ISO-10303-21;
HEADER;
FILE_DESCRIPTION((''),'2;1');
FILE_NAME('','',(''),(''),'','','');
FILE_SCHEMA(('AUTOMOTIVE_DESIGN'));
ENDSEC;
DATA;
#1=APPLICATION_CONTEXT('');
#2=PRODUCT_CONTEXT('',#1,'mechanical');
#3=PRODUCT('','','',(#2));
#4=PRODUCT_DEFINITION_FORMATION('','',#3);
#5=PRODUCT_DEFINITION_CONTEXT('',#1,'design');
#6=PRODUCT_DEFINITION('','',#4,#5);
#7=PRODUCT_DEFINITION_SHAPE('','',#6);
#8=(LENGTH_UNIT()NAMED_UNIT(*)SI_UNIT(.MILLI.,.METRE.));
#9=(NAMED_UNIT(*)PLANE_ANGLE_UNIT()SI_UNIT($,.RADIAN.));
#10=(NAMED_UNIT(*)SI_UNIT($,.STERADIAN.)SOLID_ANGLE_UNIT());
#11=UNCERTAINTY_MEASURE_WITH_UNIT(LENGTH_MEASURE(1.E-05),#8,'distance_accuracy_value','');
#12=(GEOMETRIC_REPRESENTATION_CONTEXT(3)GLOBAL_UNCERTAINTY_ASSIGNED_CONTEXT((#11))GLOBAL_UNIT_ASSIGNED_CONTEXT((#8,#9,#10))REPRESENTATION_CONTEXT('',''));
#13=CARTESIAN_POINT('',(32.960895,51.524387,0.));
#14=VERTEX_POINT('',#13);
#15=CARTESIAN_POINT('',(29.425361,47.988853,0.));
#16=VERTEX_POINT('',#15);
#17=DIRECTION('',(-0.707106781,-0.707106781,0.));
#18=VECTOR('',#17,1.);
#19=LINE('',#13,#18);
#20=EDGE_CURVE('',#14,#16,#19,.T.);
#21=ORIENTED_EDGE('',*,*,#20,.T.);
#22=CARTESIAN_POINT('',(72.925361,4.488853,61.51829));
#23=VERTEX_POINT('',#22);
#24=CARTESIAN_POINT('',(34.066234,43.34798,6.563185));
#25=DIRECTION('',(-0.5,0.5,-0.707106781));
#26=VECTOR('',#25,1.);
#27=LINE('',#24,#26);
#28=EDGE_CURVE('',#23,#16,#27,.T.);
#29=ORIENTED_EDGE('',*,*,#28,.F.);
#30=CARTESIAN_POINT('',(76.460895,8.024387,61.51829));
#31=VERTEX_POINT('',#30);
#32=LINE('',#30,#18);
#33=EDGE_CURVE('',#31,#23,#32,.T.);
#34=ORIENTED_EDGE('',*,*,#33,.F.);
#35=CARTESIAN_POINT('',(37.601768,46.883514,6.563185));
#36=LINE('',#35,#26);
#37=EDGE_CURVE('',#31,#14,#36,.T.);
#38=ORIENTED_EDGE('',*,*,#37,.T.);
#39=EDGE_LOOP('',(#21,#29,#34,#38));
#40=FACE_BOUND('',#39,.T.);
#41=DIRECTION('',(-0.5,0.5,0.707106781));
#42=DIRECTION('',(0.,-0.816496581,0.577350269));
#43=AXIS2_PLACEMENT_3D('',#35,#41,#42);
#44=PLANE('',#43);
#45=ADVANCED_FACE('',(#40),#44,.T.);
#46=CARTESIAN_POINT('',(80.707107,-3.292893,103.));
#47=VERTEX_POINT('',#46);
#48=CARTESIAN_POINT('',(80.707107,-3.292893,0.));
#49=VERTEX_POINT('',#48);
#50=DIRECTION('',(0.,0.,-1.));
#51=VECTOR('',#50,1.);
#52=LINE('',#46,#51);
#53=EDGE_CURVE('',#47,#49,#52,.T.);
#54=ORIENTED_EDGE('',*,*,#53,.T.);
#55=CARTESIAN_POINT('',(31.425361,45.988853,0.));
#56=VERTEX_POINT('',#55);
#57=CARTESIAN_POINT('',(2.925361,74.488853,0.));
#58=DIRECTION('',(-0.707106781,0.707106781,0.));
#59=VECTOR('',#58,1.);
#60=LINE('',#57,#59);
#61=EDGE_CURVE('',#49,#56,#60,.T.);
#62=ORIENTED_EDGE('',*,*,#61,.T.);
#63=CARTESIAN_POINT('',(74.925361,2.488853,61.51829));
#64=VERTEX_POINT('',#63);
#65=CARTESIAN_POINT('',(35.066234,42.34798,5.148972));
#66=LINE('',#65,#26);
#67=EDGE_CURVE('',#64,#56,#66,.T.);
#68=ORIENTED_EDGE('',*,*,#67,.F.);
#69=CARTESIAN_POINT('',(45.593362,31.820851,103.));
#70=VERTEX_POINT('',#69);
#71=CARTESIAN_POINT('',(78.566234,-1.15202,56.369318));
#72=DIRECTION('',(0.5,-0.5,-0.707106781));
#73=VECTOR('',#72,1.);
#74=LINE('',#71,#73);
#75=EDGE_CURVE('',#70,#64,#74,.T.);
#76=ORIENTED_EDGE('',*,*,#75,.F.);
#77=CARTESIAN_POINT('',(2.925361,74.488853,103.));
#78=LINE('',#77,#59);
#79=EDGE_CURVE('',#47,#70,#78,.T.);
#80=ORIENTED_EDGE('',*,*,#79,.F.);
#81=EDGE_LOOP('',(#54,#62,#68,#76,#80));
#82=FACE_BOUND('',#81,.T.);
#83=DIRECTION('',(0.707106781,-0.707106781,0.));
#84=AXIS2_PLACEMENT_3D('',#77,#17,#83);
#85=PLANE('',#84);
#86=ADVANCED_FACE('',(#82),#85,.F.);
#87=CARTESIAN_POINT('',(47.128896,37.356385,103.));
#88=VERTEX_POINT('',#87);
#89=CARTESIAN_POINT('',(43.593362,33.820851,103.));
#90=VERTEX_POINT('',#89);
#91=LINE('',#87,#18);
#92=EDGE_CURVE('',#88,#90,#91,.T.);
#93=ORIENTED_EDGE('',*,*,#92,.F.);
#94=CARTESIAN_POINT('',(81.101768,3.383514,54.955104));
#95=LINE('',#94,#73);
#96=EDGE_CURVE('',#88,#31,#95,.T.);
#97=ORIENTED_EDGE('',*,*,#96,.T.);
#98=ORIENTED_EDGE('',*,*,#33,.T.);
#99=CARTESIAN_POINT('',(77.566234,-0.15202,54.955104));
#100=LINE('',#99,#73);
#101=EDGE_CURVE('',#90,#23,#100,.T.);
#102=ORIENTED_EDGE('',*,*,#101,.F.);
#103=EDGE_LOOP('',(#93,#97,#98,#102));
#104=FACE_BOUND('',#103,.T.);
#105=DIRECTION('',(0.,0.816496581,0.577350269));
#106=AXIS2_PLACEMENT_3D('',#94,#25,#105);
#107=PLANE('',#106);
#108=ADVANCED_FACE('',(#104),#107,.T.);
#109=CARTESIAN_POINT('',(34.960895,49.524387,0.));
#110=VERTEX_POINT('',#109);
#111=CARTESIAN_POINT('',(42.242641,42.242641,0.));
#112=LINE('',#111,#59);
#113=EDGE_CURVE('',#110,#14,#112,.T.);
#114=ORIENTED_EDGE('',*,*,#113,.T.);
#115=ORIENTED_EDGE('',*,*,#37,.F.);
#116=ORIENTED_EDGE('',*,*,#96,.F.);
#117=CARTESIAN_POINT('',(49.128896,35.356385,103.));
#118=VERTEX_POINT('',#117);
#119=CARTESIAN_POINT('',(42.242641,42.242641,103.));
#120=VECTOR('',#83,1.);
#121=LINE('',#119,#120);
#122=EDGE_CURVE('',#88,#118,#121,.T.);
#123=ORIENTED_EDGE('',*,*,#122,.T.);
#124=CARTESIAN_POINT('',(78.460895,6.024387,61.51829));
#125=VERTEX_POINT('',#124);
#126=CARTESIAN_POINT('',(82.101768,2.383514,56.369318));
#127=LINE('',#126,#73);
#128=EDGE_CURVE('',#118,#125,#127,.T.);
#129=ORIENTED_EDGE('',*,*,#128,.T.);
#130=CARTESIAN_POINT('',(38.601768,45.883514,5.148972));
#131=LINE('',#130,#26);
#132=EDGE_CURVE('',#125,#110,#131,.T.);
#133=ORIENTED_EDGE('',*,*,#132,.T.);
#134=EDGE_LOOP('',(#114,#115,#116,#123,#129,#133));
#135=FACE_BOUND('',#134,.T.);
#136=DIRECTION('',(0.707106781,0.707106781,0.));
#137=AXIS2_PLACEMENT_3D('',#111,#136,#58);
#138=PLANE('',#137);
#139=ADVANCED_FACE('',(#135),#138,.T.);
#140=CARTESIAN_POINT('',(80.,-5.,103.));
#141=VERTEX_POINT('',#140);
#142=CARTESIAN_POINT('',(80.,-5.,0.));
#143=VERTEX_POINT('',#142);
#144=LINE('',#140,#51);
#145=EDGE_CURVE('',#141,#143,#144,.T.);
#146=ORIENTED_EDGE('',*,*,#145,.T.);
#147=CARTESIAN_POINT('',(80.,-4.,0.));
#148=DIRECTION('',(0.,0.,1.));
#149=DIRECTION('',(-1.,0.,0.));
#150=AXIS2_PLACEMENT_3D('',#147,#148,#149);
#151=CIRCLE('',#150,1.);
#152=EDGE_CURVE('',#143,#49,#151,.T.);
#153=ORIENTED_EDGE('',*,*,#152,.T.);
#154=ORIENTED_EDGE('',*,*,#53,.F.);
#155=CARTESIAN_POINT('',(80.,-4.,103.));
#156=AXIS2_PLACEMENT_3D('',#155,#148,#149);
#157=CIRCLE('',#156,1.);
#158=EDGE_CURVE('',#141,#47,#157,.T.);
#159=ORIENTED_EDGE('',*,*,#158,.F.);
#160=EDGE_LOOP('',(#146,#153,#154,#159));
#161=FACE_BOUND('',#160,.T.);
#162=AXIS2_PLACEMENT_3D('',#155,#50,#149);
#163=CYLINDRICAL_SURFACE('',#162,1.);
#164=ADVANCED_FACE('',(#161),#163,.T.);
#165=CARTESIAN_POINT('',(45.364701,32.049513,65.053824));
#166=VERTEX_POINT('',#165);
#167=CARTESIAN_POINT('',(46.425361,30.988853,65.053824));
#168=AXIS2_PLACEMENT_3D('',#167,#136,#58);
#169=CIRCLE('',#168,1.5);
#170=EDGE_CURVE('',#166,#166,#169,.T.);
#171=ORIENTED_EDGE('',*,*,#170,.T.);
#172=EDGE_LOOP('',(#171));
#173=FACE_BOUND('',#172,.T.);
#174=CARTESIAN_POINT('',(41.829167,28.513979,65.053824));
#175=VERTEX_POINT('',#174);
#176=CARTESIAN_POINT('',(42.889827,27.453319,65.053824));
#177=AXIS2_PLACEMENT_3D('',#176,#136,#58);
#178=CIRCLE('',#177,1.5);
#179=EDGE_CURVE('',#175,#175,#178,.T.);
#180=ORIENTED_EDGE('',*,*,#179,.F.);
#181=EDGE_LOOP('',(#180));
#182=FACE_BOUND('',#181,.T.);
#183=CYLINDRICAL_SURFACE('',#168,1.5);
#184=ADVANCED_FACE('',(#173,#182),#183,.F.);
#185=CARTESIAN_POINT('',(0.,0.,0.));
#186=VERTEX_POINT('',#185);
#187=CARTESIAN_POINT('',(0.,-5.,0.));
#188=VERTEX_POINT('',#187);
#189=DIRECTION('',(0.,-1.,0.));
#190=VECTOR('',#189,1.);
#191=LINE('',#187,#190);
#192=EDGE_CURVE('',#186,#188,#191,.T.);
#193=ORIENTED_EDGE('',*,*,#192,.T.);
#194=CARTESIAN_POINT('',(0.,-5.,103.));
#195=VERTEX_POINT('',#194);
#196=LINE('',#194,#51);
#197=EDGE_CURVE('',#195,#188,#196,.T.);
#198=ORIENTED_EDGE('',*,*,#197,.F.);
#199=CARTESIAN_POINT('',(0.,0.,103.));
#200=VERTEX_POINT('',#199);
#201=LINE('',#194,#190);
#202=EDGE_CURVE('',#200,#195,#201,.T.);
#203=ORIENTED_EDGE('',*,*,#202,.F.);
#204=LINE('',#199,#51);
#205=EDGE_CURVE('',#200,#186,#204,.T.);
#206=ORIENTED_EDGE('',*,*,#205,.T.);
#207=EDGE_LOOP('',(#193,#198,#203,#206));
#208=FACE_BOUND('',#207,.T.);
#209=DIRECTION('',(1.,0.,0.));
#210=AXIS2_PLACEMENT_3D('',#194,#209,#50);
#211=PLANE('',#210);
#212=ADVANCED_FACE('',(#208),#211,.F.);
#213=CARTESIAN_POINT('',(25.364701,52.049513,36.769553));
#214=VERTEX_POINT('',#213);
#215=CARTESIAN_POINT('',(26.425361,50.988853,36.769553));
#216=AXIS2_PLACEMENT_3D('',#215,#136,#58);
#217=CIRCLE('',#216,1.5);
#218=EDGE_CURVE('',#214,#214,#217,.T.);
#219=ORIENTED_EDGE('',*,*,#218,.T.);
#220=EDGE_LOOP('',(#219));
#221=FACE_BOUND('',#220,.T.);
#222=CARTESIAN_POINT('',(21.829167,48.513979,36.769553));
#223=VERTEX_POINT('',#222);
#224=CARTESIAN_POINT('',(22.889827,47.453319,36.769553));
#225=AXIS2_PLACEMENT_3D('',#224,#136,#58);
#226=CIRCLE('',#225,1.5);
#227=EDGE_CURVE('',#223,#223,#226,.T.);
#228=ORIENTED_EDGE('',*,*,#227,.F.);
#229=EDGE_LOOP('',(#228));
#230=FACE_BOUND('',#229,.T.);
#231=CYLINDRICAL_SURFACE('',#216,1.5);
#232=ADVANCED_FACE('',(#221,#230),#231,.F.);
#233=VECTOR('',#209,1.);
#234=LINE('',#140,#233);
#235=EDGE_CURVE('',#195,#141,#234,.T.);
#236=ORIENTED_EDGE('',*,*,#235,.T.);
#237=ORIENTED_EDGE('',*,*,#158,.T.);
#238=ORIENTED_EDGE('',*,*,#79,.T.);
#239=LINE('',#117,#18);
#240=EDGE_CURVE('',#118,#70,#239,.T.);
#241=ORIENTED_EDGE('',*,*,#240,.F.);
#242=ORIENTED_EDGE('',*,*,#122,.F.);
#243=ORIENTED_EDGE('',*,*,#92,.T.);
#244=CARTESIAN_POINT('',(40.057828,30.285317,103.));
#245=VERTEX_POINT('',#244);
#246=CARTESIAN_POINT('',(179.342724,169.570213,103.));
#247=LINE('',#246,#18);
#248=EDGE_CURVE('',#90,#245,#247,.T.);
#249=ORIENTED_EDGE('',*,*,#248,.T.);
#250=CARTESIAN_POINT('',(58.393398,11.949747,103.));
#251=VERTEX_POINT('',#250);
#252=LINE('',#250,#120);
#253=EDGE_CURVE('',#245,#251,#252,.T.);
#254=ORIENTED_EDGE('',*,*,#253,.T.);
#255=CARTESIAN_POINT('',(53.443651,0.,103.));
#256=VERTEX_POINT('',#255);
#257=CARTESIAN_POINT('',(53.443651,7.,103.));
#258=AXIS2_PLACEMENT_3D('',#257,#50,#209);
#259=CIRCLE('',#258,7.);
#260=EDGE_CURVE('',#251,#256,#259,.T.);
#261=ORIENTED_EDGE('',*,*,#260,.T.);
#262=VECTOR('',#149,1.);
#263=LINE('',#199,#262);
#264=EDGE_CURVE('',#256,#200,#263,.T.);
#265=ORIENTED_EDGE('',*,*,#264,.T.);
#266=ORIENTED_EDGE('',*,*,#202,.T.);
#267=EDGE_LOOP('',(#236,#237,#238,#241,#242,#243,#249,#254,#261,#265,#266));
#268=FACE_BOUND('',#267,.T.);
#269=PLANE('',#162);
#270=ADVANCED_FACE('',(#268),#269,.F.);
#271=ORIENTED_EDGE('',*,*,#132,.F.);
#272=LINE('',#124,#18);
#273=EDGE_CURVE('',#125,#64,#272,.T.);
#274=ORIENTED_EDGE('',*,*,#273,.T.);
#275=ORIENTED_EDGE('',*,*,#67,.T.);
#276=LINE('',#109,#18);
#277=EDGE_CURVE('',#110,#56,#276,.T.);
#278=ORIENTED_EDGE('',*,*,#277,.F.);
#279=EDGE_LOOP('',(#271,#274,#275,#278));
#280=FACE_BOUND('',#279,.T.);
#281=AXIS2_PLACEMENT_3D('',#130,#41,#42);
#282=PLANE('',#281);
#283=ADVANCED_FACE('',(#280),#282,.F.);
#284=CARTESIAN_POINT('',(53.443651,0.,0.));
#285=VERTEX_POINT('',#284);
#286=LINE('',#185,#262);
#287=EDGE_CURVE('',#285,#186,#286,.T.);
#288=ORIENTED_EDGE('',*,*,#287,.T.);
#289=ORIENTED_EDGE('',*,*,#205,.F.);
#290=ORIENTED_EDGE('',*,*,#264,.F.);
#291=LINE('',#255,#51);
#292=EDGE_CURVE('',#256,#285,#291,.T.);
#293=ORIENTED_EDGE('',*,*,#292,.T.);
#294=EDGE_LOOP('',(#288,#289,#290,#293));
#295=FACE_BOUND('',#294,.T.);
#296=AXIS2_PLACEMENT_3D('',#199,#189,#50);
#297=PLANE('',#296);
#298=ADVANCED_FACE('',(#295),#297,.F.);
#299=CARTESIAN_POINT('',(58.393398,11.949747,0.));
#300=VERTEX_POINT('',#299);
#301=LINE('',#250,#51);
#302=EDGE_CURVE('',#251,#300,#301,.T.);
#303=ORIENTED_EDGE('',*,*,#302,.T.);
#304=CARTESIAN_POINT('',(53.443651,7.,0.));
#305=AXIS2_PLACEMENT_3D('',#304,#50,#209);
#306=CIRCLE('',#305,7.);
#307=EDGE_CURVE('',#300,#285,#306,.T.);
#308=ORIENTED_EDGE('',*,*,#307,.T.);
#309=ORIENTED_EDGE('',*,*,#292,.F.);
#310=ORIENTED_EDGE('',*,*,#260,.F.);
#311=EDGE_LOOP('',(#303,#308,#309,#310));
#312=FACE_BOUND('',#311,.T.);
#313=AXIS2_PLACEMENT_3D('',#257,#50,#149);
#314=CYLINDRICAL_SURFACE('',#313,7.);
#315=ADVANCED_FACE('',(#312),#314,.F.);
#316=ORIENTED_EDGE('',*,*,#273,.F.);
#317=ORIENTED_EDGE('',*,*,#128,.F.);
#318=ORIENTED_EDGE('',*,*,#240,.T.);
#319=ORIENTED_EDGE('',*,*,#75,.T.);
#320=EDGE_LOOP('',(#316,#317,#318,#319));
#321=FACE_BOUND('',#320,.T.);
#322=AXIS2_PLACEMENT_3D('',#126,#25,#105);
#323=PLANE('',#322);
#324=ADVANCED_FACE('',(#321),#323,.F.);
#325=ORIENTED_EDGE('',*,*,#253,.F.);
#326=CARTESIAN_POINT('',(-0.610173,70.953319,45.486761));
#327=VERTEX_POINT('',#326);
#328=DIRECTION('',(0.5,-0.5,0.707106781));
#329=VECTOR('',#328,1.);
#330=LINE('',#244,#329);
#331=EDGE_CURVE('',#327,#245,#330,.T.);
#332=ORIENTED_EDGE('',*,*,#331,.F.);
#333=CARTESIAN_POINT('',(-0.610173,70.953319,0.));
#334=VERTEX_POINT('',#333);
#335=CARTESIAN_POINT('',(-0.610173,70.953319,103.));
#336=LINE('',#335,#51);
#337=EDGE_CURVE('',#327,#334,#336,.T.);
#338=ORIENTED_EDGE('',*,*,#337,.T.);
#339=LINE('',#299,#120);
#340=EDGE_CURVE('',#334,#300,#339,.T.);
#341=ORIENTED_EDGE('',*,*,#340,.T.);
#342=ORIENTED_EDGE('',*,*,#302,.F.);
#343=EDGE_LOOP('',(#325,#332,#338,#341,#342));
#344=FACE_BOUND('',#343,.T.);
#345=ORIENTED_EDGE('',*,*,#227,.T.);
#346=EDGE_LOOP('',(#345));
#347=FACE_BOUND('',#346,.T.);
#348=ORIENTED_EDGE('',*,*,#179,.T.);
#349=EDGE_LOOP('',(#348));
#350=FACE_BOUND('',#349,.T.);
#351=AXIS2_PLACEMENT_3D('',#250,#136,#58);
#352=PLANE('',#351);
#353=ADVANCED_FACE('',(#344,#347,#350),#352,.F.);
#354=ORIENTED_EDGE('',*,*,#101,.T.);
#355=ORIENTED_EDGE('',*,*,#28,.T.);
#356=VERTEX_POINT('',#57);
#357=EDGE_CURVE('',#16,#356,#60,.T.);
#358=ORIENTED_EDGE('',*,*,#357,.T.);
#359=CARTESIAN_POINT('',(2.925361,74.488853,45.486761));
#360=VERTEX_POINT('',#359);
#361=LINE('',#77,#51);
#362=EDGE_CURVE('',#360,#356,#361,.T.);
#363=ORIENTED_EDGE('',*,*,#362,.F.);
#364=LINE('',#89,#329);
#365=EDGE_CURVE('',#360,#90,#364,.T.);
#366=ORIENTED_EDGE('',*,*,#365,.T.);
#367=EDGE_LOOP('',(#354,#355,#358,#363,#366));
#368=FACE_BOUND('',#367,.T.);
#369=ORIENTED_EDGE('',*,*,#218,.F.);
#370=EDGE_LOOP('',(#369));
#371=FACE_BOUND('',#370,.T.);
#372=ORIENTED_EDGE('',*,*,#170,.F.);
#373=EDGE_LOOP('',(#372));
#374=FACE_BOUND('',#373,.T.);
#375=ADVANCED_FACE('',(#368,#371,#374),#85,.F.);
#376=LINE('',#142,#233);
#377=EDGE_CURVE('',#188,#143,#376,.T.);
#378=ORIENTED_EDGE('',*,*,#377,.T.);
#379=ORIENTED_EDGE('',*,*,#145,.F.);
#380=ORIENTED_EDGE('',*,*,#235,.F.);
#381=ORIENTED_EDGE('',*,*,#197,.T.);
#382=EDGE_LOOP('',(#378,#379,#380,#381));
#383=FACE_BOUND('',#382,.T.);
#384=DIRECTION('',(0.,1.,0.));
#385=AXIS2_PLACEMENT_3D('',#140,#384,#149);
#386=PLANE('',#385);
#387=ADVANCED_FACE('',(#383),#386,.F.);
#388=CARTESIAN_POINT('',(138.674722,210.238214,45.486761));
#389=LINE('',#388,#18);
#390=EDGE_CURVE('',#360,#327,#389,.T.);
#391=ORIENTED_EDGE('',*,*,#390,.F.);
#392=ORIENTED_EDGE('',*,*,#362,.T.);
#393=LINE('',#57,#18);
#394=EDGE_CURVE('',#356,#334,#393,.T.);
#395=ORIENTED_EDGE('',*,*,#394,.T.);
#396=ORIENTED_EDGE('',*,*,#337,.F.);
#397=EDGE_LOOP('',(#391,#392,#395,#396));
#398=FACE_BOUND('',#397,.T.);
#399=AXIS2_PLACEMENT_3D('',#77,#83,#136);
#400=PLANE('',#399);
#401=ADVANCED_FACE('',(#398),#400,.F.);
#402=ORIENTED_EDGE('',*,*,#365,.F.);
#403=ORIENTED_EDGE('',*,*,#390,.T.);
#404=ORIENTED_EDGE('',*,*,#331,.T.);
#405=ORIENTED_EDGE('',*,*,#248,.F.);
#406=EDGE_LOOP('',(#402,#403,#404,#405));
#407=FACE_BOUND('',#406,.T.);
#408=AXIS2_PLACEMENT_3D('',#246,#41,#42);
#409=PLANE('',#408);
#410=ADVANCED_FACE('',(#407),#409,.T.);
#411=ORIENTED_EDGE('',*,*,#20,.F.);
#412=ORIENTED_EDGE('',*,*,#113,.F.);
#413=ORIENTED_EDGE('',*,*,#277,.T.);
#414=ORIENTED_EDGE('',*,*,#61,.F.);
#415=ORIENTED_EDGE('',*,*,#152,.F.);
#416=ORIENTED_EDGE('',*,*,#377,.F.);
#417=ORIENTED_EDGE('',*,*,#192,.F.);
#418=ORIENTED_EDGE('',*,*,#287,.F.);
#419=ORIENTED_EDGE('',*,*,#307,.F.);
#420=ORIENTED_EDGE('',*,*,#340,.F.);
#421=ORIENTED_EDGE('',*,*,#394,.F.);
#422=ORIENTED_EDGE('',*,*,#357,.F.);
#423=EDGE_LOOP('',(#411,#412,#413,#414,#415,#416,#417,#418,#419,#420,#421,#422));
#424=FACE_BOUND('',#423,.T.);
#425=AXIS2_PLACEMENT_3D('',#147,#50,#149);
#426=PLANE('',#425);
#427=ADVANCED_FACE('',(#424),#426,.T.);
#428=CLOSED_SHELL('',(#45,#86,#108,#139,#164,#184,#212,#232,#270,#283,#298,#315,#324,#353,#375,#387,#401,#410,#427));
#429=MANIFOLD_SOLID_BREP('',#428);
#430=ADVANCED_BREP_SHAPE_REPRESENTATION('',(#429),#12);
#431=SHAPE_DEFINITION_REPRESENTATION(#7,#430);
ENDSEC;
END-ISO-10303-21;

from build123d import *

# Parameters (mm, degrees)
BOSS_EXTRUDE1_DEPTH       = 103
BOSS_EXTRUDE2_DEPTH       = 5
CUT_EXTRUDE1_DEPTH        = 120.616052434
CUT_EXTRUDE1_DEPTH_BACK   = 5
M5_CLEARANCE_HOLE1_REACH  = 162.532
M5_CLEARANCE_HOLE1_BORE_R = 1.5


with BuildPart() as part:
    # Sketch1 → Boss-Extrude1 (new body)
    with BuildSketch(Plane.XY):
        with BuildLine():
            Line((2.925360851, 74.488852712), (80.707106781, -3.292893219))
            ThreePointArc((80.707106781, -3.292893219), (80.923879533, -4.382683432), (80, -5))
            Line((80, -5), (0, -5))
            Line((0, -5), (0, 0))
            Line((0, 0), (53.443650814, 0))
            ThreePointArc((53.443650814, 0), (59.910807541, 4.321215973), (58.393398282, 11.949747468))
            Line((58.393398282, 11.949747468), (-0.610173055, 70.953318806))
            Line((-0.610173055, 70.953318806), (2.925360851, 74.488852712))
        make_face()
    extrude(amount=BOSS_EXTRUDE1_DEPTH)

    # Sketch2 → Boss-Extrude2 (add)
    with BuildSketch(Plane(origin=(38.707106781, 38.707106781, 0), x_dir=(0, 0, -1), z_dir=(0.7071067811865487, 0.7071067811865465, 0))):
        Polygon((-61.518289963, -48.391918986), (-100.409162928, -9.501046021), (-103, -6.910208949), (-103, -9.738636074), (-61.518289963, -51.220346111), (0, 10.297943853), (0, 13.126370977), (-1.414213562, 11.712157415), align=None)
    extrude(amount=BOSS_EXTRUDE2_DEPTH)

    # Sketch4 → Cut-Extrude1 (cut, two sides)
    with BuildSketch(Plane(origin=(38.707106781, 38.707106781, 0), x_dir=(0, 0, -1), z_dir=(0.7071067811865487, 0.7071067811865465, 0))) as cut_extrude1_sk:
        Polygon((-287.389423781, -191.29963273), (-103, -6.910208949), (-45.486760671, 50.60303038), (138.902663111, 234.992454162), (-229.876184452, 603.771301725), (-656.168271344, 177.479214832), align=None)
    extrude(amount=CUT_EXTRUDE1_DEPTH, mode=Mode.SUBTRACT)
    extrude(cut_extrude1_sk.sketch, amount=-CUT_EXTRUDE1_DEPTH_BACK, mode=Mode.SUBTRACT)

    # M5 Clearance Hole1 bore → M5 Clearance Hole1 (cut, up to next)
    with BuildSketch(Plane(origin=(80.628758112, -3.214544549, 114.598480766), x_dir=(-0.4999999999999967, 0.4999999999999984, 0.707106781186551), z_dir=(0.7071067811865487, 0.7071067811865464, 0)), mode=Mode.PRIVATE) as m5_clearance_hole1_sk1:
        with Locations((-0.829965603, -69.236760125)):
            Circle(M5_CLEARANCE_HOLE1_BORE_R)
    m5_clearance_hole1_tool1 = extrude(m5_clearance_hole1_sk1.sketch, amount=-M5_CLEARANCE_HOLE1_REACH, mode=Mode.PRIVATE) & part.part
    # M5 Clearance Hole1 bore → M5 Clearance Hole1 (cut, up to next)
    with BuildSketch(Plane(origin=(80.628758112, -3.214544549, 114.598480766), x_dir=(-0.4999999999999967, 0.4999999999999984, 0.707106781186551), z_dir=(0.7071067811865487, 0.7071067811865464, 0)), mode=Mode.PRIVATE) as m5_clearance_hole1_sk2:
        with Locations((-0.829965603, -109.236760125)):
            Circle(M5_CLEARANCE_HOLE1_BORE_R)
    m5_clearance_hole1_tool2 = extrude(m5_clearance_hole1_sk2.sketch, amount=-M5_CLEARANCE_HOLE1_REACH, mode=Mode.PRIVATE) & part.part
    add(m5_clearance_hole1_tool1.solids().sort_by_distance((46.425361, 30.988853, 65.053824))[0], mode=Mode.SUBTRACT)
    add(m5_clearance_hole1_tool2.solids().sort_by_distance((26.425361, 50.988853, 36.769553))[0], mode=Mode.SUBTRACT)


solid = part.part
